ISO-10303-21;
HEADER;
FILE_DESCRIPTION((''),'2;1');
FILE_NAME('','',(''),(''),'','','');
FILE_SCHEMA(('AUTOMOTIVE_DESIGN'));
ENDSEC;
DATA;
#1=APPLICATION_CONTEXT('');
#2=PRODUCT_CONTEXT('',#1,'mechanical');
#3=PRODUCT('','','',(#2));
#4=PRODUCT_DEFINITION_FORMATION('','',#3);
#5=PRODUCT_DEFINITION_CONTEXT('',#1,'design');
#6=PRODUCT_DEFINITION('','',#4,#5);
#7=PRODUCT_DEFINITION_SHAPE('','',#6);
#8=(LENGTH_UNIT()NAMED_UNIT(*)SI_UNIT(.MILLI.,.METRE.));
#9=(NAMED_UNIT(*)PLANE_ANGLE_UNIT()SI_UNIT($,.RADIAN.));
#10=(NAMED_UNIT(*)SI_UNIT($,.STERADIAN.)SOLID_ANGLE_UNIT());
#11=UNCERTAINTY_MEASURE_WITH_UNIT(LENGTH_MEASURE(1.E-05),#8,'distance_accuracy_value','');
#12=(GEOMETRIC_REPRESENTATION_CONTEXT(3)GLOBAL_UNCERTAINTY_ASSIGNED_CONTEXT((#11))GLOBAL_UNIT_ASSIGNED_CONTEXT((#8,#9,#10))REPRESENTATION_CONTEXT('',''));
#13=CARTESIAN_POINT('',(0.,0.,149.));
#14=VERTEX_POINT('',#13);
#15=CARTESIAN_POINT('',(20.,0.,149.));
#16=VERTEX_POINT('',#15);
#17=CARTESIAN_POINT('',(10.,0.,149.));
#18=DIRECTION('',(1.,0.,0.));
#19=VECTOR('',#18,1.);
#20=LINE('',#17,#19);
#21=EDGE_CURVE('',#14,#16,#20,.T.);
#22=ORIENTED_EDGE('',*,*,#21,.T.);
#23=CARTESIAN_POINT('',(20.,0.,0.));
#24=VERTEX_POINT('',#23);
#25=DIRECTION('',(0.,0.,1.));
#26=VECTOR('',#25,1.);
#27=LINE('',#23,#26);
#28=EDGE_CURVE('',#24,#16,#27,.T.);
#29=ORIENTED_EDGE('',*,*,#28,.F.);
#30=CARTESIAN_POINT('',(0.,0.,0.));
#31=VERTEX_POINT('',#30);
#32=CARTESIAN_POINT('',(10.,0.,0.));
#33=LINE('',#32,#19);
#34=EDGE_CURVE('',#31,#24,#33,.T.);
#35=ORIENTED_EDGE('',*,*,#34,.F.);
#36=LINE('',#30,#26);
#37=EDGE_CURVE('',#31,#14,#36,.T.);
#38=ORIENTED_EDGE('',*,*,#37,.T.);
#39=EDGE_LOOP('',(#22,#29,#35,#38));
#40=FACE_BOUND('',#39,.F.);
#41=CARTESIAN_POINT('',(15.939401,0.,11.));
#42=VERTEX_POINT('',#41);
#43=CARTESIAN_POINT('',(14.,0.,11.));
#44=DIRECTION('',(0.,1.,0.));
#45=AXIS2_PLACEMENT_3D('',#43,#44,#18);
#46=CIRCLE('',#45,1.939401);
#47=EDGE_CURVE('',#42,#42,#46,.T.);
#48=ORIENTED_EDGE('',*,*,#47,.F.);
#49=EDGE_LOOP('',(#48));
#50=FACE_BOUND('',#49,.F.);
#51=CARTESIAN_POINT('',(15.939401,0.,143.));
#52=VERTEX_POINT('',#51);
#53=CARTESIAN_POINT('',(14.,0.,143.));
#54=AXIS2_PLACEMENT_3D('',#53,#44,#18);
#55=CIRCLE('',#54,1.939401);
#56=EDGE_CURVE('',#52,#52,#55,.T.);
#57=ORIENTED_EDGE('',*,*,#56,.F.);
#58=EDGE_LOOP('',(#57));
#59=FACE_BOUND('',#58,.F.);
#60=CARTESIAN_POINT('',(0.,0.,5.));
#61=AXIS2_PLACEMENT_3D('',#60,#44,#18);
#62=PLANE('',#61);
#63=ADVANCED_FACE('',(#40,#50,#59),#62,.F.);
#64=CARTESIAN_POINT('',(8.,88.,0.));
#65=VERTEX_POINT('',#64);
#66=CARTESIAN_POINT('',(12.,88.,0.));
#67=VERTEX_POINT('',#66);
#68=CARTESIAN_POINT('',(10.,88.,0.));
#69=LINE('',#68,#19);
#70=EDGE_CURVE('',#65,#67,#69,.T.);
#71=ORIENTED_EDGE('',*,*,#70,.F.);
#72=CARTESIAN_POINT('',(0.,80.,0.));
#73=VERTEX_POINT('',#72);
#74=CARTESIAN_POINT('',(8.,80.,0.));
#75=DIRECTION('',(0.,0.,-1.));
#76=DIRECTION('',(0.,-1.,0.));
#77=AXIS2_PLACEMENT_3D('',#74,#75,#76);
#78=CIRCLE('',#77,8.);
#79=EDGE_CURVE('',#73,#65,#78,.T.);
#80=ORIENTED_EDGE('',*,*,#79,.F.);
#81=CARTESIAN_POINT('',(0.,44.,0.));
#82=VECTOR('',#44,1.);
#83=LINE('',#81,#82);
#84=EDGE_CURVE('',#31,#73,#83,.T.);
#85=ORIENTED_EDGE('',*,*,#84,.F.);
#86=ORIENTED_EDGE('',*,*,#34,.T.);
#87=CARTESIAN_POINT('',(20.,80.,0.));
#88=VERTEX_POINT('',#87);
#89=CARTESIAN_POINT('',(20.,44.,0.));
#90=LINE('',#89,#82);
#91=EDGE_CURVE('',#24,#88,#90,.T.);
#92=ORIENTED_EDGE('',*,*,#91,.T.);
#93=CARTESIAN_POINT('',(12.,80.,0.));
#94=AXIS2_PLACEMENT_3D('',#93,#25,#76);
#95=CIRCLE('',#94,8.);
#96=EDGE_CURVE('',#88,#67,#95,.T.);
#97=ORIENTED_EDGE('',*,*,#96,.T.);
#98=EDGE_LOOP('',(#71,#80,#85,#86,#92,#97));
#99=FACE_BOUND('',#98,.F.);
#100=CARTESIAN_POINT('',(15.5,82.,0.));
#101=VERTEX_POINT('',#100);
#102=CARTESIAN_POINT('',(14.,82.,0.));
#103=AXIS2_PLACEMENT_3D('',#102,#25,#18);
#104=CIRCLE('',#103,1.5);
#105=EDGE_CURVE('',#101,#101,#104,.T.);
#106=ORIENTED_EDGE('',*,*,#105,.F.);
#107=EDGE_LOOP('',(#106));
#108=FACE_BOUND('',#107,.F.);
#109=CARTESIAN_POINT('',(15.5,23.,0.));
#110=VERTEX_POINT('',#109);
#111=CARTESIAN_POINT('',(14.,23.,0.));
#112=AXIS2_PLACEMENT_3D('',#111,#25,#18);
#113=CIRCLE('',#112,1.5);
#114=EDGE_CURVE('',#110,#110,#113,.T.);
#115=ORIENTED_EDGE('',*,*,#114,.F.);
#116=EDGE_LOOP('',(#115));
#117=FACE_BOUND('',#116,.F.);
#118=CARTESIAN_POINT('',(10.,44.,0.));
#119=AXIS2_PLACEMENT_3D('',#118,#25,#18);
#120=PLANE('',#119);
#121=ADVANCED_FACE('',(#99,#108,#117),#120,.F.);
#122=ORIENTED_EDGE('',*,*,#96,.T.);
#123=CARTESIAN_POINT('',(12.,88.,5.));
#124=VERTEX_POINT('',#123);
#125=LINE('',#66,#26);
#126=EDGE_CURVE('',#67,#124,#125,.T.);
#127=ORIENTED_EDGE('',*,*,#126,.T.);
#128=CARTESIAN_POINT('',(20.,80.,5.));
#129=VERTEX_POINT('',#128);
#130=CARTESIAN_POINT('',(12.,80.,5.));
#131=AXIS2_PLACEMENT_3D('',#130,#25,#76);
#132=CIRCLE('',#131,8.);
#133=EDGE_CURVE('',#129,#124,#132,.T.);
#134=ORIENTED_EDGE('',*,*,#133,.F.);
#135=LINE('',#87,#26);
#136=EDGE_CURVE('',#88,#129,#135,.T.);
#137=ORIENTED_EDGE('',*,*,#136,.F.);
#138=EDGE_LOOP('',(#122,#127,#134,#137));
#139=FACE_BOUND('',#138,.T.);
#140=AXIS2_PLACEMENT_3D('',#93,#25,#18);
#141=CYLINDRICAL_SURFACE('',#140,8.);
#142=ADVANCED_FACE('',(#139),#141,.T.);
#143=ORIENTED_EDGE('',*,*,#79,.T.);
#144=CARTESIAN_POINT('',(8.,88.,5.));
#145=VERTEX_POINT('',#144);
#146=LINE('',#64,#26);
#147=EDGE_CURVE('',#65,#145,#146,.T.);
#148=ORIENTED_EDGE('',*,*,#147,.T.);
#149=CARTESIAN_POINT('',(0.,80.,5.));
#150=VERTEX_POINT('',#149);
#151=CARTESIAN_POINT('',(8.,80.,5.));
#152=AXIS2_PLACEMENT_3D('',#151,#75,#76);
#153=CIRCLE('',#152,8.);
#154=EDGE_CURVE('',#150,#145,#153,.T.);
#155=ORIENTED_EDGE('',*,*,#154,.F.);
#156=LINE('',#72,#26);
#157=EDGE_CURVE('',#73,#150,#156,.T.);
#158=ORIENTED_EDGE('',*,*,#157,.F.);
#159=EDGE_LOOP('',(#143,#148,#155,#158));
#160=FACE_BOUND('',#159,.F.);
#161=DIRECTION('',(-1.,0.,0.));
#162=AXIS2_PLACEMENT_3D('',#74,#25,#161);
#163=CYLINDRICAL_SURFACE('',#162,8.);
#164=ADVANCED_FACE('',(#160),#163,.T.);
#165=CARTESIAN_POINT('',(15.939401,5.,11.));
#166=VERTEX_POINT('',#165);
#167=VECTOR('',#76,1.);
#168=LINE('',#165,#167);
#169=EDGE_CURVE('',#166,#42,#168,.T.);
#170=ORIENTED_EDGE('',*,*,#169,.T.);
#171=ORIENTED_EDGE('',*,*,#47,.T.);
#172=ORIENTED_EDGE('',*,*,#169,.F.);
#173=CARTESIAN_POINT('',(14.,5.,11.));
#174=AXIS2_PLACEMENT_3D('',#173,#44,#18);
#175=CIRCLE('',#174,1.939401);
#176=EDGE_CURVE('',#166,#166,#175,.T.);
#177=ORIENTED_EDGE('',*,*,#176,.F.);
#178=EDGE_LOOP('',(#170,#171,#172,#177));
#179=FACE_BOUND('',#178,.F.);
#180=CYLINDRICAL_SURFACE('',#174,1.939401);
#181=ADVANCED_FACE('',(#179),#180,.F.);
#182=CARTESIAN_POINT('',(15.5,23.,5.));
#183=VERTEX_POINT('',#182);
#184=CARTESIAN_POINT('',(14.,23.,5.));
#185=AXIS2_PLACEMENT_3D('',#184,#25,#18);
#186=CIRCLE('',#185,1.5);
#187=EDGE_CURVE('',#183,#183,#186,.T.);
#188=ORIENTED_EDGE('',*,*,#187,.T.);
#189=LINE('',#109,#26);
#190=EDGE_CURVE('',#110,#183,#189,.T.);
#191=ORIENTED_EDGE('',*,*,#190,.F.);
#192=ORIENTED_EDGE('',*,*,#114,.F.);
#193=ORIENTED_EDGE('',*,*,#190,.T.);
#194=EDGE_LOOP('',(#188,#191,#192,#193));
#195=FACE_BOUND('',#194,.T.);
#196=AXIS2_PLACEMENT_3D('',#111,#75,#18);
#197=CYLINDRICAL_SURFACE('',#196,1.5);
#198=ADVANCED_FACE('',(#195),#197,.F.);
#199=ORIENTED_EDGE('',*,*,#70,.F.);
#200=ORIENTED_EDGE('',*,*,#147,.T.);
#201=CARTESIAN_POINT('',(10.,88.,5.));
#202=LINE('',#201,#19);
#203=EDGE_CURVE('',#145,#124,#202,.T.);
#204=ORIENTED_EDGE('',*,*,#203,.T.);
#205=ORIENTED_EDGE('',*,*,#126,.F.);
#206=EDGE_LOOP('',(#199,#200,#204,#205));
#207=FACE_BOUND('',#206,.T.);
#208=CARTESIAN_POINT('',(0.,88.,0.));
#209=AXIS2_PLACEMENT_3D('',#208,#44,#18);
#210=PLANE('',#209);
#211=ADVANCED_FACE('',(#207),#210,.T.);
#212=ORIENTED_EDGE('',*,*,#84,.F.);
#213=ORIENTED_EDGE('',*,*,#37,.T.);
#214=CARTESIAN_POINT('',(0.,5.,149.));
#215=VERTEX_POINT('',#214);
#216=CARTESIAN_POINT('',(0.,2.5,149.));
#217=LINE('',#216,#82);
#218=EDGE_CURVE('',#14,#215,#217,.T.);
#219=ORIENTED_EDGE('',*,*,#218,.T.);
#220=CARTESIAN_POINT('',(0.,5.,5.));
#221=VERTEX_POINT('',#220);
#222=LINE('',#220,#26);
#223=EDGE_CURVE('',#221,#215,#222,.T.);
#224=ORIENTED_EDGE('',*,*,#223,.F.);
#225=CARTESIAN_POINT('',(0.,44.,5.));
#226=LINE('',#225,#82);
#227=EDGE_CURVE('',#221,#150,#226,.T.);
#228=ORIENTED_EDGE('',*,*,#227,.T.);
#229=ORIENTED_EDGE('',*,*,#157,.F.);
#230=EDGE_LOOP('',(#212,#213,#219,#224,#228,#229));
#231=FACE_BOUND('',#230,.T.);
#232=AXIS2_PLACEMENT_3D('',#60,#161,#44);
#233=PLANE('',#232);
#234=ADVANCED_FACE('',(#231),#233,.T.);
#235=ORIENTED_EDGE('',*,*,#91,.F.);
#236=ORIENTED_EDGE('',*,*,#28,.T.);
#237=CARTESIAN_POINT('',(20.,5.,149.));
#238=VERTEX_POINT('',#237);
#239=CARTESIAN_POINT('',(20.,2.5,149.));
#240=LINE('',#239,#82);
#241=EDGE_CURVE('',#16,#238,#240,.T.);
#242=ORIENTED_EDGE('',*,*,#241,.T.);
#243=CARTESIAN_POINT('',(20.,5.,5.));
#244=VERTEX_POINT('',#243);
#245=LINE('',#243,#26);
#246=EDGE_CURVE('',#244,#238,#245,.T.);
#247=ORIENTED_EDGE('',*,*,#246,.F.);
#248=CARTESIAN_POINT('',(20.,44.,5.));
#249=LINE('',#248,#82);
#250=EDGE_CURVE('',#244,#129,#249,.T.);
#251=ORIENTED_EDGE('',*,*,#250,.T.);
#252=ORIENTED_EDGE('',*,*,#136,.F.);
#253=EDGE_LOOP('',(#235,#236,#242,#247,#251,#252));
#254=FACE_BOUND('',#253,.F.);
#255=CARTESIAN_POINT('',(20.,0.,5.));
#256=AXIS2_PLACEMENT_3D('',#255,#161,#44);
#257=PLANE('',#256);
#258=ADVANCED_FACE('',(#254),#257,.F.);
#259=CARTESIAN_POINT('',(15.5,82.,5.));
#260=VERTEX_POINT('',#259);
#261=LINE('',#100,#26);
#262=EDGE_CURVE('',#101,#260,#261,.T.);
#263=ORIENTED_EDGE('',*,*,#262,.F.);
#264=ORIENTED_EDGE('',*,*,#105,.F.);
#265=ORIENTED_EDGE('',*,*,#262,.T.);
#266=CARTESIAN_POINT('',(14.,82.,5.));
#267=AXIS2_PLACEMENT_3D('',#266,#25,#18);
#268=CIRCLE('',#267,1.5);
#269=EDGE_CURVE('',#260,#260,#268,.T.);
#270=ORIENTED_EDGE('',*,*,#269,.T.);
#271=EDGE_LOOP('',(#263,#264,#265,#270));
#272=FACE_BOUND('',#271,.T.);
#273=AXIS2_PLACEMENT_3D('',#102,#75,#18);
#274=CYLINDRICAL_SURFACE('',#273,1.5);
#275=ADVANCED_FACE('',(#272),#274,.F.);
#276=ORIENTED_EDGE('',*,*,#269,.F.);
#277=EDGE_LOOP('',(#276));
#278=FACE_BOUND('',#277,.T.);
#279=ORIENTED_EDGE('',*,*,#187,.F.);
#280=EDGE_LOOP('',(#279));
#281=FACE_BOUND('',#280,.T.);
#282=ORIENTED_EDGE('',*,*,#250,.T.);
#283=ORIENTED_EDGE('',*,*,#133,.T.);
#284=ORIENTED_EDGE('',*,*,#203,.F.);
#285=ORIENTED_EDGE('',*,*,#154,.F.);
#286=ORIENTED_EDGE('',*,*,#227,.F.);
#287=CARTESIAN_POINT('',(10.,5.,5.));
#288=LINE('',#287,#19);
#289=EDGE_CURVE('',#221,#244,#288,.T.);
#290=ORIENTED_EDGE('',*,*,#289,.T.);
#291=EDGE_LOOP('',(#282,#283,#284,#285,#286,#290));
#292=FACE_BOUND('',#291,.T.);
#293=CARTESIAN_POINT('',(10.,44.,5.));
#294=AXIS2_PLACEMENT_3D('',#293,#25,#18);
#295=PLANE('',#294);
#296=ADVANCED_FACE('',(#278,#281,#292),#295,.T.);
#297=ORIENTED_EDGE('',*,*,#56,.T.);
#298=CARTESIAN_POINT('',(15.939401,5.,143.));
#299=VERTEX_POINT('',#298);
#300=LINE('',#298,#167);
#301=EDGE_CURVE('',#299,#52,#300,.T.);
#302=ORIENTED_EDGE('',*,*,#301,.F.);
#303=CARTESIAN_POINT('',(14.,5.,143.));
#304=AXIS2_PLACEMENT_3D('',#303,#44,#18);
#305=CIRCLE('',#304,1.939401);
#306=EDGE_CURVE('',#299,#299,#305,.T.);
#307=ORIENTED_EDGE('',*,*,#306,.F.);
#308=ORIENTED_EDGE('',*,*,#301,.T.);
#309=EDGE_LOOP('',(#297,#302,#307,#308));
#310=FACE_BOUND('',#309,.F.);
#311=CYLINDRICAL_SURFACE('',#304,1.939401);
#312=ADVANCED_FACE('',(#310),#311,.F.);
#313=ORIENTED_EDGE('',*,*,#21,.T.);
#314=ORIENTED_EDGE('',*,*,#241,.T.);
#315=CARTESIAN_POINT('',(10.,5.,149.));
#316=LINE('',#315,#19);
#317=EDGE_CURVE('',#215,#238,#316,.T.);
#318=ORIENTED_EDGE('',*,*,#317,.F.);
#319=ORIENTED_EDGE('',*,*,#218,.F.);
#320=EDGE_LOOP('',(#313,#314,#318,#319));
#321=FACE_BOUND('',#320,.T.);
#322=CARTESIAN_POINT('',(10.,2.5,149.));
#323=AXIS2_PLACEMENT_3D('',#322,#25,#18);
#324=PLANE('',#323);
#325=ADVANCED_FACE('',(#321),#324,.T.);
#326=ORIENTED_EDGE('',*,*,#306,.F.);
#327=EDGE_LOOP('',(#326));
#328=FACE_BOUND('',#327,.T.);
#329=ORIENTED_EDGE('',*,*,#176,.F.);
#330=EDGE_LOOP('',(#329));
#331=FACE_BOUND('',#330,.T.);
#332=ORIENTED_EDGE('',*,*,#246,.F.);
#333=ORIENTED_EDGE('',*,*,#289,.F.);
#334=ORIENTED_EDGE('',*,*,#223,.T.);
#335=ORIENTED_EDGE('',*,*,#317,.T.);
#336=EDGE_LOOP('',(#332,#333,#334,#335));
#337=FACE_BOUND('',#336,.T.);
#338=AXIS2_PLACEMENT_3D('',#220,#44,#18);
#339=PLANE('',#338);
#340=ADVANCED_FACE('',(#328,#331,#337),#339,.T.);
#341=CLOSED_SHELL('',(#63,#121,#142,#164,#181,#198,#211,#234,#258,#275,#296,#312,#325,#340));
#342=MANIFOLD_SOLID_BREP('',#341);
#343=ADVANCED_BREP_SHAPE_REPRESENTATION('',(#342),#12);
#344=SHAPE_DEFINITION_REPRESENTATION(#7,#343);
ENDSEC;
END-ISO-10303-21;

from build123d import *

# Parameters (mm, degrees)
SKETCH1_W           = 20
SKETCH1_H           = 88
SKETCH1_R           = 1.5
BOSS_EXTRUDE1_DEPTH = 5
SKETCH2_W           = 20
SKETCH2_H           = 5
BOSS_EXTRUDE2_DEPTH = 144
FILLET1_R           = 8
SKETCH3_R           = 1.939400698
CUT_EXTRUDE1_DEPTH  = 6


with BuildPart() as part:
    # Sketch1 → Boss-Extrude1 (new body)
    with BuildSketch(Plane.XY):
        with Locations((10, 44)):
            Rectangle(SKETCH1_W, SKETCH1_H)
        with Locations((14, 82)):
            Circle(SKETCH1_R, mode=Mode.SUBTRACT)
        with Locations((14, 23)):
            Circle(SKETCH1_R, mode=Mode.SUBTRACT)
    extrude(amount=BOSS_EXTRUDE1_DEPTH)

    # Sketch2 → Boss-Extrude2 (add)
    with BuildSketch(Plane.XY.offset(5)):
        with Locations((10, 2.5)):
            Rectangle(SKETCH2_W, SKETCH2_H)
    extrude(amount=BOSS_EXTRUDE2_DEPTH)

    # Fillet1
    fillet1_edges = [part.edges().sort_by_distance(p)[0] for p in [
        (20, 88, 2.5),
        (0, 88, 2.5),
    ]]
    fillet(fillet1_edges, radius=FILLET1_R)

    # Sketch3 → Cut-Extrude1 (cut, through all)
    with BuildSketch(Plane(origin=(0, 5, 0), x_dir=(1, 0, 0), z_dir=(0, 1, 0))):
        with Locations((14, -143)):
            Circle(SKETCH3_R)
        with Locations((14, -11)):
            Circle(SKETCH3_R)
    extrude(amount=-CUT_EXTRUDE1_DEPTH, mode=Mode.SUBTRACT)


solid = part.part
